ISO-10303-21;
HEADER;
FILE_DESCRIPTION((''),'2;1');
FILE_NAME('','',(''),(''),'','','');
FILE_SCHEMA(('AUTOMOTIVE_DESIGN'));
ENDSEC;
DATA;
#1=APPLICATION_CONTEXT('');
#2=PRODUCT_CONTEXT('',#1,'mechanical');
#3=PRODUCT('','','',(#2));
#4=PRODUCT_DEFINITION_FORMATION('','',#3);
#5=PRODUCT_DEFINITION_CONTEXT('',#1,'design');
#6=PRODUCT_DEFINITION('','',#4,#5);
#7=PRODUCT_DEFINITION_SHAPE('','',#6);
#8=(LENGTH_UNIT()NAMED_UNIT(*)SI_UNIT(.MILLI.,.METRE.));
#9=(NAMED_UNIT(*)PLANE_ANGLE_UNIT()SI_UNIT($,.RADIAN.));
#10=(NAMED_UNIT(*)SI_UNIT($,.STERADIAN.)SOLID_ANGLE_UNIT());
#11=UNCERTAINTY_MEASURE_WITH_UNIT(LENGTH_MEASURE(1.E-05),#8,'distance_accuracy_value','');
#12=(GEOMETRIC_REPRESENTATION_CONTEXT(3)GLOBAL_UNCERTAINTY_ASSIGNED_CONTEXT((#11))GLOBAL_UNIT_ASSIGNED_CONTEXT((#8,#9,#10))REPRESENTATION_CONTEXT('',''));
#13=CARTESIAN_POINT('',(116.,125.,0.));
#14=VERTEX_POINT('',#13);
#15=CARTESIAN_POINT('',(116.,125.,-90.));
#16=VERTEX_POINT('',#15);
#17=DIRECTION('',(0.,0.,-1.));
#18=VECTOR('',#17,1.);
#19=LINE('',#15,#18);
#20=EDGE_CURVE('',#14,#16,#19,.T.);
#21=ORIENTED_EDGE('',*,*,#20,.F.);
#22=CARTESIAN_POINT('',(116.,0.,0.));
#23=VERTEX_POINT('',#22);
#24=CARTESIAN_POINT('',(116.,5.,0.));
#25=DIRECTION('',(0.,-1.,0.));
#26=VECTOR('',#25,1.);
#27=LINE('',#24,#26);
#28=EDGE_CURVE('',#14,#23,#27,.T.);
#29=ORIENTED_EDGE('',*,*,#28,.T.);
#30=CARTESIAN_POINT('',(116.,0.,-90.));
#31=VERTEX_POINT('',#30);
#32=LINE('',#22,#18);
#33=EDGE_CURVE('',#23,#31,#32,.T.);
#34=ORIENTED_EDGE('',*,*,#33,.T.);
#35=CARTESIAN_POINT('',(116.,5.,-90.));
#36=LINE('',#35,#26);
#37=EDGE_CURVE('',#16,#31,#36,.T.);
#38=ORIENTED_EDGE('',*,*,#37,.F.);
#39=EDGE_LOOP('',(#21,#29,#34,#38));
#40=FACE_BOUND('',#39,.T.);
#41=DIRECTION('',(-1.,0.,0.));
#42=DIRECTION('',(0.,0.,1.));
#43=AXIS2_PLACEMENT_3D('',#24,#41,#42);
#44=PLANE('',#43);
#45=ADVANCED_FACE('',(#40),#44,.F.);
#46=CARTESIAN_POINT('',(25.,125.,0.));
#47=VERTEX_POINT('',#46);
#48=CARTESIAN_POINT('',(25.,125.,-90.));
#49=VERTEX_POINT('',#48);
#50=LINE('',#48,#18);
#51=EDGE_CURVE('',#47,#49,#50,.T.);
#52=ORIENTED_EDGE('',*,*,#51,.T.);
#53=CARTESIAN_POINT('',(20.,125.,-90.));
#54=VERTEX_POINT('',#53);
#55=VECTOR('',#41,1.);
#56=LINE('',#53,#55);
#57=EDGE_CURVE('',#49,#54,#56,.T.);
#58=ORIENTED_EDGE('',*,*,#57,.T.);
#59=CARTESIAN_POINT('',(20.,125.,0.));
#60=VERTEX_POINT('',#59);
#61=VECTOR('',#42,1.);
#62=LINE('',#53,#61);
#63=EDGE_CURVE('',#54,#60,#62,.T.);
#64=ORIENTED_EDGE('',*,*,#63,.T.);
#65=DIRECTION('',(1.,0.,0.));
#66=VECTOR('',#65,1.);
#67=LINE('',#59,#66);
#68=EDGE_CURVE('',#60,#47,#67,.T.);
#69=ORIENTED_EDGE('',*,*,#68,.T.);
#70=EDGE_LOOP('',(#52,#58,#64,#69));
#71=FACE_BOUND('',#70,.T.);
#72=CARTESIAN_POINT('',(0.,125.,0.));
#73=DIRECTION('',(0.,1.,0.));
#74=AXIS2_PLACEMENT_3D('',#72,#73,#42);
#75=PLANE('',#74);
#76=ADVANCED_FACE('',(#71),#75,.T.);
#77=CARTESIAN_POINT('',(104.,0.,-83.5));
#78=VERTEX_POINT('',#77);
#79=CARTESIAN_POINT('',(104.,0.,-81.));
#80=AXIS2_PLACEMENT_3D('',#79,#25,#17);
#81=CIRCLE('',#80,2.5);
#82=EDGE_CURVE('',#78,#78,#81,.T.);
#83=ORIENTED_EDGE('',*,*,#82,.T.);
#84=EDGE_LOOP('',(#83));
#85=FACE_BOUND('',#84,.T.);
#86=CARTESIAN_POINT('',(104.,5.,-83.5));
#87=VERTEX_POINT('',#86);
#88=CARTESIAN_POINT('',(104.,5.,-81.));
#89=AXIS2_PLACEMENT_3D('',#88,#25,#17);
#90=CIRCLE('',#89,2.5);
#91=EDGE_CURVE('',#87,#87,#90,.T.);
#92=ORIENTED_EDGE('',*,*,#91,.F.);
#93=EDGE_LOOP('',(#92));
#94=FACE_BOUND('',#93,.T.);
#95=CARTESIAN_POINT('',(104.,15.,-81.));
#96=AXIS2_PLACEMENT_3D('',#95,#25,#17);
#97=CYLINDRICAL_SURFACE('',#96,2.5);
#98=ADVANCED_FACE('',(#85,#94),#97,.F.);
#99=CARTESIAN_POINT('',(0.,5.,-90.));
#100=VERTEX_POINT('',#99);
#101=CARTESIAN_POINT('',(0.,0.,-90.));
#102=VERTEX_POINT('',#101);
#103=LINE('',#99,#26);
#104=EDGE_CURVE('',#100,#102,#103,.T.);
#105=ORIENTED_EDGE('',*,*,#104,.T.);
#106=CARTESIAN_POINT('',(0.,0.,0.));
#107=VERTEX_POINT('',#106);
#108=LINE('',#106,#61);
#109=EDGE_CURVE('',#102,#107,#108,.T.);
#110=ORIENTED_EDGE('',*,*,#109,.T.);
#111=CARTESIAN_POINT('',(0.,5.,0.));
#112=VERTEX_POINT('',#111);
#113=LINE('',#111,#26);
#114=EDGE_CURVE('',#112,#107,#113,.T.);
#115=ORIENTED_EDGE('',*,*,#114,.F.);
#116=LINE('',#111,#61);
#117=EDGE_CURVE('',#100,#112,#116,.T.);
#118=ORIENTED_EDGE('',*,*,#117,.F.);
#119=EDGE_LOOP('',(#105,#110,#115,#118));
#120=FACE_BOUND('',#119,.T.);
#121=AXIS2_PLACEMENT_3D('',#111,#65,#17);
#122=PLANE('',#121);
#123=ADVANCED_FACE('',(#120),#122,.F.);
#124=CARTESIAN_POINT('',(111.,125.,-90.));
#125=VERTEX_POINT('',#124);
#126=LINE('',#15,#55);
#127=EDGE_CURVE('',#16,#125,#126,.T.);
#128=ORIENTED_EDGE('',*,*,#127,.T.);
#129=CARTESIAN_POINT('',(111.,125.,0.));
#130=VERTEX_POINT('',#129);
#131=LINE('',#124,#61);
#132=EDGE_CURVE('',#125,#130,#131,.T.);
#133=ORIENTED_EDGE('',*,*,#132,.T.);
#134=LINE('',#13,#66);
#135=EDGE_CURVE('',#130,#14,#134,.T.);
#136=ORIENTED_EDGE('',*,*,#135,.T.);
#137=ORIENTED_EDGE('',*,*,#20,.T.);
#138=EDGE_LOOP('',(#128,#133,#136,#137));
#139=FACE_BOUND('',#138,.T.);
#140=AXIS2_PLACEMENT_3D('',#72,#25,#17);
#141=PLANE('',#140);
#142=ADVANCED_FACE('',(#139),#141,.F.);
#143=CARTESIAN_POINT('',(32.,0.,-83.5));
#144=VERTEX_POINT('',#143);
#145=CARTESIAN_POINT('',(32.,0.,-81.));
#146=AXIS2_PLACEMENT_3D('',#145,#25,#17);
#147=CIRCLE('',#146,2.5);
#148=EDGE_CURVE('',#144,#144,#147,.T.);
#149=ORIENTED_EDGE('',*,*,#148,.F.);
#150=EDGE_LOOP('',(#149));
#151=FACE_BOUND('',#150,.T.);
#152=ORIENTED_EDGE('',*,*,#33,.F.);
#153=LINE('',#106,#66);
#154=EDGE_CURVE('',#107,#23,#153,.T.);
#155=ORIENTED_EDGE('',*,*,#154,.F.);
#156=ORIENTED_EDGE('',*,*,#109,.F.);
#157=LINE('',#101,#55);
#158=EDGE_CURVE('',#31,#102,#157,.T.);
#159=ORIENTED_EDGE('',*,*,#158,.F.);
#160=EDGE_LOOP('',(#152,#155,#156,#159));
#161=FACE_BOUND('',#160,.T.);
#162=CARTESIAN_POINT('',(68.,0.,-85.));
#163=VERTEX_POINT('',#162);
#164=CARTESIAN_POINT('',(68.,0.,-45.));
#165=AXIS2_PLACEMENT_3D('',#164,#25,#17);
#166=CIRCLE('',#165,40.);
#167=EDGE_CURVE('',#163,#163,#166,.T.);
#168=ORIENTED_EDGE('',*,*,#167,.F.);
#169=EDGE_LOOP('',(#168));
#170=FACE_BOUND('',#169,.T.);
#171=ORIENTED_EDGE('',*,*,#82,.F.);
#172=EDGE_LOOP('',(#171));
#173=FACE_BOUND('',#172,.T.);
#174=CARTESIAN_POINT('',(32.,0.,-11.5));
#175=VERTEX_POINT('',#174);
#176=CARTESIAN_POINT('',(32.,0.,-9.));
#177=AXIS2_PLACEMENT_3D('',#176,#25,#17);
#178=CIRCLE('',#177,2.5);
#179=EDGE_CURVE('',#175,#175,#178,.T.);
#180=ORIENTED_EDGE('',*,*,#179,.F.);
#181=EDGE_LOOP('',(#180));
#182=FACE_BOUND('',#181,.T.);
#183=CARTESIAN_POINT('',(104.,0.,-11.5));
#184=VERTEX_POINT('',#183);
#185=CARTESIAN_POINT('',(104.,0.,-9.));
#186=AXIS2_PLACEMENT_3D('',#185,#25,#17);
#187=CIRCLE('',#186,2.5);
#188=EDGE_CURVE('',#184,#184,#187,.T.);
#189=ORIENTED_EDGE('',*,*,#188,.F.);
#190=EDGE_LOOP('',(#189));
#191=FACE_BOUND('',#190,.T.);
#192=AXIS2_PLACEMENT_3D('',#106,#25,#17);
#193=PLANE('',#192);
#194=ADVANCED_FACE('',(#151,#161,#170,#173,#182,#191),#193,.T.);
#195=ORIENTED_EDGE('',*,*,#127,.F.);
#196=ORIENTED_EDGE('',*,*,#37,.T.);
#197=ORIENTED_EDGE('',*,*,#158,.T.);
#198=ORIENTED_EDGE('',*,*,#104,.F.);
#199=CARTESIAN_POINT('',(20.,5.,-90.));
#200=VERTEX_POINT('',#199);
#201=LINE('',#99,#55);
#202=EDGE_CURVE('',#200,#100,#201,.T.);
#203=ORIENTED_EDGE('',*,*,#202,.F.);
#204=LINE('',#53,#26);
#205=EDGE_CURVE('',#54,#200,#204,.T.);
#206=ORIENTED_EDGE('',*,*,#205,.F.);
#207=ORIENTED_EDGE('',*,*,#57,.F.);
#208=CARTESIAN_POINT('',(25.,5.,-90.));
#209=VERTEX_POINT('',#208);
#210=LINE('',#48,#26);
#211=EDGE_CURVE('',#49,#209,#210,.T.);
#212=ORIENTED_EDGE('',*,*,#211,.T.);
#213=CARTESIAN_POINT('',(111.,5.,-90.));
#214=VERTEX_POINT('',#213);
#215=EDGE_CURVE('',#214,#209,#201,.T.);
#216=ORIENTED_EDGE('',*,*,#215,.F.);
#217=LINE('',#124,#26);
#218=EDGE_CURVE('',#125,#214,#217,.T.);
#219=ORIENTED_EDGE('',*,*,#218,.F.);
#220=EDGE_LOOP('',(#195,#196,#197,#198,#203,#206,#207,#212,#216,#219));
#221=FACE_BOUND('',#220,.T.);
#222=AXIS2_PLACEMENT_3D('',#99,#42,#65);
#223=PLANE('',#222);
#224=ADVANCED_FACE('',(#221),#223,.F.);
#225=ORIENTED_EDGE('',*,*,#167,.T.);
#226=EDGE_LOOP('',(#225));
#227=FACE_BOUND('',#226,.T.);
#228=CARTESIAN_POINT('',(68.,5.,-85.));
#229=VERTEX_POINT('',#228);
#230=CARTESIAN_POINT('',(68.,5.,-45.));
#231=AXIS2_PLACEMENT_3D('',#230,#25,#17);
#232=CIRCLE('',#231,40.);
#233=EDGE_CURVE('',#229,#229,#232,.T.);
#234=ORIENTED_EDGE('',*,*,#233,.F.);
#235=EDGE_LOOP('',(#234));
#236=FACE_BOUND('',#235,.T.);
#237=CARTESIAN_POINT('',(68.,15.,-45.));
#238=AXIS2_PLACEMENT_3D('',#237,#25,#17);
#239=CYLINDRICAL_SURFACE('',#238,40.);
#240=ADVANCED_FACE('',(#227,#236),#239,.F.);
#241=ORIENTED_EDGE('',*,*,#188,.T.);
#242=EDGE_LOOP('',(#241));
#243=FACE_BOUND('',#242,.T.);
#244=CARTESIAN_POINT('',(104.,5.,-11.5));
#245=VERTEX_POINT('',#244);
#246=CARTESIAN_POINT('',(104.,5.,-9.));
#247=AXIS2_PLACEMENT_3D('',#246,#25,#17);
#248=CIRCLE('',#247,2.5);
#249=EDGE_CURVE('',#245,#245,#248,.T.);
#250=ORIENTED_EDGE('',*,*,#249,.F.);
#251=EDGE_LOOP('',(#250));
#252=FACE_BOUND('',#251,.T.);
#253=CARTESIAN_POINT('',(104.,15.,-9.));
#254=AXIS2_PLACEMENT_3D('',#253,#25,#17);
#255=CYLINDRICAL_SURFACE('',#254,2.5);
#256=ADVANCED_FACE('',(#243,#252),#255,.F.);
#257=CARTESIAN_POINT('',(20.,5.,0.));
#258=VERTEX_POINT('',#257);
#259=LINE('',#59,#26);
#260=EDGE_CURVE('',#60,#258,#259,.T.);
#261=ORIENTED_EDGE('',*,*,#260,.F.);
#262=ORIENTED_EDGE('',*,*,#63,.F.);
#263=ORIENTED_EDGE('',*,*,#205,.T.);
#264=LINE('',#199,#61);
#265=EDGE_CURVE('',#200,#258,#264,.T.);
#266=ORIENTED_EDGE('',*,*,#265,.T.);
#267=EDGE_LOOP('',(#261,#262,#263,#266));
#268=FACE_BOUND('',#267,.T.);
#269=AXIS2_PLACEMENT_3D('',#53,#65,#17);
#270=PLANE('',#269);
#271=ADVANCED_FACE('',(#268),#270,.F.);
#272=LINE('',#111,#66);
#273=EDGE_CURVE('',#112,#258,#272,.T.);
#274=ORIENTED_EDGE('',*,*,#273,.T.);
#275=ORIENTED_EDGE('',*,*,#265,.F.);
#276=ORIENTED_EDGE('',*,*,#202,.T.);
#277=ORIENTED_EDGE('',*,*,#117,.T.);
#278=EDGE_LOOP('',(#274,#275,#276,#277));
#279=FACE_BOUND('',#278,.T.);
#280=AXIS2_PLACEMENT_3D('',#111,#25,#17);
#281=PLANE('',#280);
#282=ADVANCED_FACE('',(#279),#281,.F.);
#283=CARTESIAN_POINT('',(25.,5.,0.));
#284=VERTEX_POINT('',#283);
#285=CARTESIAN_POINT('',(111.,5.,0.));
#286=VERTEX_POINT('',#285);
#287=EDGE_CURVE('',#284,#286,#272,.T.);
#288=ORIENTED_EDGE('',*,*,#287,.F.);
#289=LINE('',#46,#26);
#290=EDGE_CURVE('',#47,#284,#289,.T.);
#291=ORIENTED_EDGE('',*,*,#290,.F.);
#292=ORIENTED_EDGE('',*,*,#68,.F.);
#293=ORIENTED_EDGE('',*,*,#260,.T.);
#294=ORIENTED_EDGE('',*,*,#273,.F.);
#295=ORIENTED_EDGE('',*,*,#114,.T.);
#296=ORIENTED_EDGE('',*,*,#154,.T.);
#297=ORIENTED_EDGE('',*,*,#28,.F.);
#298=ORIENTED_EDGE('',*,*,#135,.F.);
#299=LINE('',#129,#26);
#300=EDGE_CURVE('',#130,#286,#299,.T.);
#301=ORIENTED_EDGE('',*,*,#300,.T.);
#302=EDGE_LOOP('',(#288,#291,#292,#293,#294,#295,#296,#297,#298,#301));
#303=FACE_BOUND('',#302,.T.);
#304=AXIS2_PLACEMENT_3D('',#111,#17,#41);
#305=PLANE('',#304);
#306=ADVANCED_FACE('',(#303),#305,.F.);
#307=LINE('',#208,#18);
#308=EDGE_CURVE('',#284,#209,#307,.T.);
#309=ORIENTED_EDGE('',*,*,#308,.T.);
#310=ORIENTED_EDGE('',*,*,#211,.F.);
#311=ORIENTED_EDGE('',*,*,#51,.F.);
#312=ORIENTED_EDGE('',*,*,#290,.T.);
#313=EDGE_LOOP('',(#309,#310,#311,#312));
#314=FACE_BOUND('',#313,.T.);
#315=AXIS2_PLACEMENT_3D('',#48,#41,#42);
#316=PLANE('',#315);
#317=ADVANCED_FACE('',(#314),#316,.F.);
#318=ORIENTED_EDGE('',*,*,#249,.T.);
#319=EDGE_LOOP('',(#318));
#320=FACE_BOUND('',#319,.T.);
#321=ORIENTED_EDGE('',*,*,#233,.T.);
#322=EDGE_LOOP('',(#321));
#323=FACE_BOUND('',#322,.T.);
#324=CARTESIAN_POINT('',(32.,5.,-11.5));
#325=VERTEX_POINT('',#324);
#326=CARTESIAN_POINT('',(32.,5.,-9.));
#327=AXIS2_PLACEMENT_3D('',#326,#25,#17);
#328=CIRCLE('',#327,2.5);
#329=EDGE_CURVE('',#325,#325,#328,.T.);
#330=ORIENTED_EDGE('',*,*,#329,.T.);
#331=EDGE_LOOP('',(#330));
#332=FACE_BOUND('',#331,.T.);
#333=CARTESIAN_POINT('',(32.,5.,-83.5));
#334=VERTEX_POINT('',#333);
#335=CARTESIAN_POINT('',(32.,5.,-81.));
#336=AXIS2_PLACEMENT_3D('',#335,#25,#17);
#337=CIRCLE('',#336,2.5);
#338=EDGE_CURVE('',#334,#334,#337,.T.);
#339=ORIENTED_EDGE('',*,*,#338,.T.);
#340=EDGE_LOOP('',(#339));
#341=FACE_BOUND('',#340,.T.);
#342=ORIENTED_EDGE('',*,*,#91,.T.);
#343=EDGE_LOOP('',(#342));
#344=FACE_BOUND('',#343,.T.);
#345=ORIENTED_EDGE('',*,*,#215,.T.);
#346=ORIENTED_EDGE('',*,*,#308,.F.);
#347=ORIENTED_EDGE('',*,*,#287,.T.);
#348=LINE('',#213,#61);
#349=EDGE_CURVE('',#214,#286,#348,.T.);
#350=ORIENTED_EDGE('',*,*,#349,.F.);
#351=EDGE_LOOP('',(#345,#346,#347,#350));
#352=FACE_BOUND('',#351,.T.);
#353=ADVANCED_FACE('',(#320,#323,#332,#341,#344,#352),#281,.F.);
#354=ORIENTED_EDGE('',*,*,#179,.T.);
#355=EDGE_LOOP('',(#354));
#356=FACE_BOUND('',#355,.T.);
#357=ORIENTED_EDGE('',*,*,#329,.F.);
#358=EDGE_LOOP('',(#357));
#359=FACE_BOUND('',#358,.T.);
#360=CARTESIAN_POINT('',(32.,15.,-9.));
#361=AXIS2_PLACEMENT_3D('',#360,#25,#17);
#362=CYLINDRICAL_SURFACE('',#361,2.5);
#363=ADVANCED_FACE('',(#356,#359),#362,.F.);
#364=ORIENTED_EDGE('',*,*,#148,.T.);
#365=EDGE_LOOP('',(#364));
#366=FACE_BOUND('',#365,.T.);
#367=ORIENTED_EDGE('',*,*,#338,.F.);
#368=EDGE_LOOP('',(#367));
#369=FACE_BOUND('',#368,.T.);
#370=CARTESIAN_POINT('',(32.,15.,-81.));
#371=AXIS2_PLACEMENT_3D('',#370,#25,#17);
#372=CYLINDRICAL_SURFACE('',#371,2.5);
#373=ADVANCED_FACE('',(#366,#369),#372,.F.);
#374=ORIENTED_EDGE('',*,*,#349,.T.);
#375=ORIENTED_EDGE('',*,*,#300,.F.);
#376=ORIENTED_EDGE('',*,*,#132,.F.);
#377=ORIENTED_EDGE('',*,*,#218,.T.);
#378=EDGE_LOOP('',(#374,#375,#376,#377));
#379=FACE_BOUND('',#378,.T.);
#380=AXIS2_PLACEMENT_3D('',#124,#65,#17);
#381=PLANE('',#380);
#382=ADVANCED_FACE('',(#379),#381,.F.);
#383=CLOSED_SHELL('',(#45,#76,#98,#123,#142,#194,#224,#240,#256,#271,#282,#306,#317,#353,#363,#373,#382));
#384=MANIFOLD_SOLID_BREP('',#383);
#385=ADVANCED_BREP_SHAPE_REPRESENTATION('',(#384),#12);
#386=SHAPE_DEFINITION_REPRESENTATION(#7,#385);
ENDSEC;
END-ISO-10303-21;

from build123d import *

# Parameters (mm, degrees)
SKETCH1_W           = 116
SKETCH1_H           = 90
BOSS_EXTRUDE1_DEPTH = 5
SKETCH2_W           = 5
SKETCH2_H           = 90
BOSS_EXTRUDE2_DEPTH = 120
SKETCH3_R           = 40
CUT_EXTRUDE1_DEPTH  = 15
SKETCH4_R           = 2.5
CUT_EXTRUDE2_DEPTH  = 15
SKETCH5_W           = 5
SKETCH5_H           = 90
BOSS_EXTRUDE3_DEPTH = 120


with BuildPart() as part:
    # Sketch1 → Boss-Extrude1 (new body)
    with BuildSketch(Plane(origin=(0, 0, 0), x_dir=(1, 0, 0), z_dir=(0, 1, 0))):
        with Locations((58, 45)):
            Rectangle(SKETCH1_W, SKETCH1_H)
    extrude(amount=BOSS_EXTRUDE1_DEPTH)

    # Sketch2 → Boss-Extrude2 (add)
    with BuildSketch(Plane(origin=(0, 5, 0), x_dir=(1, 0, 0), z_dir=(0, 1, 0))):
        with Locations((113.5, 45)):
            Rectangle(SKETCH2_W, SKETCH2_H)
    extrude(amount=BOSS_EXTRUDE2_DEPTH)

    # Sketch3 → Cut-Extrude1 (cut)
    with BuildSketch(Plane.XZ):
        with Locations(Location((68, -45, 0), (0, 0, 270))):
            Circle(SKETCH3_R)
    extrude(amount=-CUT_EXTRUDE1_DEPTH, mode=Mode.SUBTRACT)

    # Sketch4 → Cut-Extrude2 (cut)
    with BuildSketch(Plane.XZ):
        with Locations(Location((32, -9, 0), (0, 0, 270))):
            Circle(SKETCH4_R)
        with Locations(Location((104, -9, 0), (0, 0, 270))):
            Circle(SKETCH4_R)
        with Locations(Location((104, -81, 0), (0, 0, 270))):
            Circle(SKETCH4_R)
        with Locations(Location((32, -81, 0), (0, 0, 270))):
            Circle(SKETCH4_R)
    extrude(amount=-CUT_EXTRUDE2_DEPTH, mode=Mode.SUBTRACT)

    # Sketch5 → Boss-Extrude3 (add)
    with BuildSketch(Plane(origin=(0, 5, 0), x_dir=(1, 0, 0), z_dir=(0, 1, 0))):
        with Locations((22.5, 45)):
            Rectangle(SKETCH5_W, SKETCH5_H)
    extrude(amount=BOSS_EXTRUDE3_DEPTH)


solid = part.part
